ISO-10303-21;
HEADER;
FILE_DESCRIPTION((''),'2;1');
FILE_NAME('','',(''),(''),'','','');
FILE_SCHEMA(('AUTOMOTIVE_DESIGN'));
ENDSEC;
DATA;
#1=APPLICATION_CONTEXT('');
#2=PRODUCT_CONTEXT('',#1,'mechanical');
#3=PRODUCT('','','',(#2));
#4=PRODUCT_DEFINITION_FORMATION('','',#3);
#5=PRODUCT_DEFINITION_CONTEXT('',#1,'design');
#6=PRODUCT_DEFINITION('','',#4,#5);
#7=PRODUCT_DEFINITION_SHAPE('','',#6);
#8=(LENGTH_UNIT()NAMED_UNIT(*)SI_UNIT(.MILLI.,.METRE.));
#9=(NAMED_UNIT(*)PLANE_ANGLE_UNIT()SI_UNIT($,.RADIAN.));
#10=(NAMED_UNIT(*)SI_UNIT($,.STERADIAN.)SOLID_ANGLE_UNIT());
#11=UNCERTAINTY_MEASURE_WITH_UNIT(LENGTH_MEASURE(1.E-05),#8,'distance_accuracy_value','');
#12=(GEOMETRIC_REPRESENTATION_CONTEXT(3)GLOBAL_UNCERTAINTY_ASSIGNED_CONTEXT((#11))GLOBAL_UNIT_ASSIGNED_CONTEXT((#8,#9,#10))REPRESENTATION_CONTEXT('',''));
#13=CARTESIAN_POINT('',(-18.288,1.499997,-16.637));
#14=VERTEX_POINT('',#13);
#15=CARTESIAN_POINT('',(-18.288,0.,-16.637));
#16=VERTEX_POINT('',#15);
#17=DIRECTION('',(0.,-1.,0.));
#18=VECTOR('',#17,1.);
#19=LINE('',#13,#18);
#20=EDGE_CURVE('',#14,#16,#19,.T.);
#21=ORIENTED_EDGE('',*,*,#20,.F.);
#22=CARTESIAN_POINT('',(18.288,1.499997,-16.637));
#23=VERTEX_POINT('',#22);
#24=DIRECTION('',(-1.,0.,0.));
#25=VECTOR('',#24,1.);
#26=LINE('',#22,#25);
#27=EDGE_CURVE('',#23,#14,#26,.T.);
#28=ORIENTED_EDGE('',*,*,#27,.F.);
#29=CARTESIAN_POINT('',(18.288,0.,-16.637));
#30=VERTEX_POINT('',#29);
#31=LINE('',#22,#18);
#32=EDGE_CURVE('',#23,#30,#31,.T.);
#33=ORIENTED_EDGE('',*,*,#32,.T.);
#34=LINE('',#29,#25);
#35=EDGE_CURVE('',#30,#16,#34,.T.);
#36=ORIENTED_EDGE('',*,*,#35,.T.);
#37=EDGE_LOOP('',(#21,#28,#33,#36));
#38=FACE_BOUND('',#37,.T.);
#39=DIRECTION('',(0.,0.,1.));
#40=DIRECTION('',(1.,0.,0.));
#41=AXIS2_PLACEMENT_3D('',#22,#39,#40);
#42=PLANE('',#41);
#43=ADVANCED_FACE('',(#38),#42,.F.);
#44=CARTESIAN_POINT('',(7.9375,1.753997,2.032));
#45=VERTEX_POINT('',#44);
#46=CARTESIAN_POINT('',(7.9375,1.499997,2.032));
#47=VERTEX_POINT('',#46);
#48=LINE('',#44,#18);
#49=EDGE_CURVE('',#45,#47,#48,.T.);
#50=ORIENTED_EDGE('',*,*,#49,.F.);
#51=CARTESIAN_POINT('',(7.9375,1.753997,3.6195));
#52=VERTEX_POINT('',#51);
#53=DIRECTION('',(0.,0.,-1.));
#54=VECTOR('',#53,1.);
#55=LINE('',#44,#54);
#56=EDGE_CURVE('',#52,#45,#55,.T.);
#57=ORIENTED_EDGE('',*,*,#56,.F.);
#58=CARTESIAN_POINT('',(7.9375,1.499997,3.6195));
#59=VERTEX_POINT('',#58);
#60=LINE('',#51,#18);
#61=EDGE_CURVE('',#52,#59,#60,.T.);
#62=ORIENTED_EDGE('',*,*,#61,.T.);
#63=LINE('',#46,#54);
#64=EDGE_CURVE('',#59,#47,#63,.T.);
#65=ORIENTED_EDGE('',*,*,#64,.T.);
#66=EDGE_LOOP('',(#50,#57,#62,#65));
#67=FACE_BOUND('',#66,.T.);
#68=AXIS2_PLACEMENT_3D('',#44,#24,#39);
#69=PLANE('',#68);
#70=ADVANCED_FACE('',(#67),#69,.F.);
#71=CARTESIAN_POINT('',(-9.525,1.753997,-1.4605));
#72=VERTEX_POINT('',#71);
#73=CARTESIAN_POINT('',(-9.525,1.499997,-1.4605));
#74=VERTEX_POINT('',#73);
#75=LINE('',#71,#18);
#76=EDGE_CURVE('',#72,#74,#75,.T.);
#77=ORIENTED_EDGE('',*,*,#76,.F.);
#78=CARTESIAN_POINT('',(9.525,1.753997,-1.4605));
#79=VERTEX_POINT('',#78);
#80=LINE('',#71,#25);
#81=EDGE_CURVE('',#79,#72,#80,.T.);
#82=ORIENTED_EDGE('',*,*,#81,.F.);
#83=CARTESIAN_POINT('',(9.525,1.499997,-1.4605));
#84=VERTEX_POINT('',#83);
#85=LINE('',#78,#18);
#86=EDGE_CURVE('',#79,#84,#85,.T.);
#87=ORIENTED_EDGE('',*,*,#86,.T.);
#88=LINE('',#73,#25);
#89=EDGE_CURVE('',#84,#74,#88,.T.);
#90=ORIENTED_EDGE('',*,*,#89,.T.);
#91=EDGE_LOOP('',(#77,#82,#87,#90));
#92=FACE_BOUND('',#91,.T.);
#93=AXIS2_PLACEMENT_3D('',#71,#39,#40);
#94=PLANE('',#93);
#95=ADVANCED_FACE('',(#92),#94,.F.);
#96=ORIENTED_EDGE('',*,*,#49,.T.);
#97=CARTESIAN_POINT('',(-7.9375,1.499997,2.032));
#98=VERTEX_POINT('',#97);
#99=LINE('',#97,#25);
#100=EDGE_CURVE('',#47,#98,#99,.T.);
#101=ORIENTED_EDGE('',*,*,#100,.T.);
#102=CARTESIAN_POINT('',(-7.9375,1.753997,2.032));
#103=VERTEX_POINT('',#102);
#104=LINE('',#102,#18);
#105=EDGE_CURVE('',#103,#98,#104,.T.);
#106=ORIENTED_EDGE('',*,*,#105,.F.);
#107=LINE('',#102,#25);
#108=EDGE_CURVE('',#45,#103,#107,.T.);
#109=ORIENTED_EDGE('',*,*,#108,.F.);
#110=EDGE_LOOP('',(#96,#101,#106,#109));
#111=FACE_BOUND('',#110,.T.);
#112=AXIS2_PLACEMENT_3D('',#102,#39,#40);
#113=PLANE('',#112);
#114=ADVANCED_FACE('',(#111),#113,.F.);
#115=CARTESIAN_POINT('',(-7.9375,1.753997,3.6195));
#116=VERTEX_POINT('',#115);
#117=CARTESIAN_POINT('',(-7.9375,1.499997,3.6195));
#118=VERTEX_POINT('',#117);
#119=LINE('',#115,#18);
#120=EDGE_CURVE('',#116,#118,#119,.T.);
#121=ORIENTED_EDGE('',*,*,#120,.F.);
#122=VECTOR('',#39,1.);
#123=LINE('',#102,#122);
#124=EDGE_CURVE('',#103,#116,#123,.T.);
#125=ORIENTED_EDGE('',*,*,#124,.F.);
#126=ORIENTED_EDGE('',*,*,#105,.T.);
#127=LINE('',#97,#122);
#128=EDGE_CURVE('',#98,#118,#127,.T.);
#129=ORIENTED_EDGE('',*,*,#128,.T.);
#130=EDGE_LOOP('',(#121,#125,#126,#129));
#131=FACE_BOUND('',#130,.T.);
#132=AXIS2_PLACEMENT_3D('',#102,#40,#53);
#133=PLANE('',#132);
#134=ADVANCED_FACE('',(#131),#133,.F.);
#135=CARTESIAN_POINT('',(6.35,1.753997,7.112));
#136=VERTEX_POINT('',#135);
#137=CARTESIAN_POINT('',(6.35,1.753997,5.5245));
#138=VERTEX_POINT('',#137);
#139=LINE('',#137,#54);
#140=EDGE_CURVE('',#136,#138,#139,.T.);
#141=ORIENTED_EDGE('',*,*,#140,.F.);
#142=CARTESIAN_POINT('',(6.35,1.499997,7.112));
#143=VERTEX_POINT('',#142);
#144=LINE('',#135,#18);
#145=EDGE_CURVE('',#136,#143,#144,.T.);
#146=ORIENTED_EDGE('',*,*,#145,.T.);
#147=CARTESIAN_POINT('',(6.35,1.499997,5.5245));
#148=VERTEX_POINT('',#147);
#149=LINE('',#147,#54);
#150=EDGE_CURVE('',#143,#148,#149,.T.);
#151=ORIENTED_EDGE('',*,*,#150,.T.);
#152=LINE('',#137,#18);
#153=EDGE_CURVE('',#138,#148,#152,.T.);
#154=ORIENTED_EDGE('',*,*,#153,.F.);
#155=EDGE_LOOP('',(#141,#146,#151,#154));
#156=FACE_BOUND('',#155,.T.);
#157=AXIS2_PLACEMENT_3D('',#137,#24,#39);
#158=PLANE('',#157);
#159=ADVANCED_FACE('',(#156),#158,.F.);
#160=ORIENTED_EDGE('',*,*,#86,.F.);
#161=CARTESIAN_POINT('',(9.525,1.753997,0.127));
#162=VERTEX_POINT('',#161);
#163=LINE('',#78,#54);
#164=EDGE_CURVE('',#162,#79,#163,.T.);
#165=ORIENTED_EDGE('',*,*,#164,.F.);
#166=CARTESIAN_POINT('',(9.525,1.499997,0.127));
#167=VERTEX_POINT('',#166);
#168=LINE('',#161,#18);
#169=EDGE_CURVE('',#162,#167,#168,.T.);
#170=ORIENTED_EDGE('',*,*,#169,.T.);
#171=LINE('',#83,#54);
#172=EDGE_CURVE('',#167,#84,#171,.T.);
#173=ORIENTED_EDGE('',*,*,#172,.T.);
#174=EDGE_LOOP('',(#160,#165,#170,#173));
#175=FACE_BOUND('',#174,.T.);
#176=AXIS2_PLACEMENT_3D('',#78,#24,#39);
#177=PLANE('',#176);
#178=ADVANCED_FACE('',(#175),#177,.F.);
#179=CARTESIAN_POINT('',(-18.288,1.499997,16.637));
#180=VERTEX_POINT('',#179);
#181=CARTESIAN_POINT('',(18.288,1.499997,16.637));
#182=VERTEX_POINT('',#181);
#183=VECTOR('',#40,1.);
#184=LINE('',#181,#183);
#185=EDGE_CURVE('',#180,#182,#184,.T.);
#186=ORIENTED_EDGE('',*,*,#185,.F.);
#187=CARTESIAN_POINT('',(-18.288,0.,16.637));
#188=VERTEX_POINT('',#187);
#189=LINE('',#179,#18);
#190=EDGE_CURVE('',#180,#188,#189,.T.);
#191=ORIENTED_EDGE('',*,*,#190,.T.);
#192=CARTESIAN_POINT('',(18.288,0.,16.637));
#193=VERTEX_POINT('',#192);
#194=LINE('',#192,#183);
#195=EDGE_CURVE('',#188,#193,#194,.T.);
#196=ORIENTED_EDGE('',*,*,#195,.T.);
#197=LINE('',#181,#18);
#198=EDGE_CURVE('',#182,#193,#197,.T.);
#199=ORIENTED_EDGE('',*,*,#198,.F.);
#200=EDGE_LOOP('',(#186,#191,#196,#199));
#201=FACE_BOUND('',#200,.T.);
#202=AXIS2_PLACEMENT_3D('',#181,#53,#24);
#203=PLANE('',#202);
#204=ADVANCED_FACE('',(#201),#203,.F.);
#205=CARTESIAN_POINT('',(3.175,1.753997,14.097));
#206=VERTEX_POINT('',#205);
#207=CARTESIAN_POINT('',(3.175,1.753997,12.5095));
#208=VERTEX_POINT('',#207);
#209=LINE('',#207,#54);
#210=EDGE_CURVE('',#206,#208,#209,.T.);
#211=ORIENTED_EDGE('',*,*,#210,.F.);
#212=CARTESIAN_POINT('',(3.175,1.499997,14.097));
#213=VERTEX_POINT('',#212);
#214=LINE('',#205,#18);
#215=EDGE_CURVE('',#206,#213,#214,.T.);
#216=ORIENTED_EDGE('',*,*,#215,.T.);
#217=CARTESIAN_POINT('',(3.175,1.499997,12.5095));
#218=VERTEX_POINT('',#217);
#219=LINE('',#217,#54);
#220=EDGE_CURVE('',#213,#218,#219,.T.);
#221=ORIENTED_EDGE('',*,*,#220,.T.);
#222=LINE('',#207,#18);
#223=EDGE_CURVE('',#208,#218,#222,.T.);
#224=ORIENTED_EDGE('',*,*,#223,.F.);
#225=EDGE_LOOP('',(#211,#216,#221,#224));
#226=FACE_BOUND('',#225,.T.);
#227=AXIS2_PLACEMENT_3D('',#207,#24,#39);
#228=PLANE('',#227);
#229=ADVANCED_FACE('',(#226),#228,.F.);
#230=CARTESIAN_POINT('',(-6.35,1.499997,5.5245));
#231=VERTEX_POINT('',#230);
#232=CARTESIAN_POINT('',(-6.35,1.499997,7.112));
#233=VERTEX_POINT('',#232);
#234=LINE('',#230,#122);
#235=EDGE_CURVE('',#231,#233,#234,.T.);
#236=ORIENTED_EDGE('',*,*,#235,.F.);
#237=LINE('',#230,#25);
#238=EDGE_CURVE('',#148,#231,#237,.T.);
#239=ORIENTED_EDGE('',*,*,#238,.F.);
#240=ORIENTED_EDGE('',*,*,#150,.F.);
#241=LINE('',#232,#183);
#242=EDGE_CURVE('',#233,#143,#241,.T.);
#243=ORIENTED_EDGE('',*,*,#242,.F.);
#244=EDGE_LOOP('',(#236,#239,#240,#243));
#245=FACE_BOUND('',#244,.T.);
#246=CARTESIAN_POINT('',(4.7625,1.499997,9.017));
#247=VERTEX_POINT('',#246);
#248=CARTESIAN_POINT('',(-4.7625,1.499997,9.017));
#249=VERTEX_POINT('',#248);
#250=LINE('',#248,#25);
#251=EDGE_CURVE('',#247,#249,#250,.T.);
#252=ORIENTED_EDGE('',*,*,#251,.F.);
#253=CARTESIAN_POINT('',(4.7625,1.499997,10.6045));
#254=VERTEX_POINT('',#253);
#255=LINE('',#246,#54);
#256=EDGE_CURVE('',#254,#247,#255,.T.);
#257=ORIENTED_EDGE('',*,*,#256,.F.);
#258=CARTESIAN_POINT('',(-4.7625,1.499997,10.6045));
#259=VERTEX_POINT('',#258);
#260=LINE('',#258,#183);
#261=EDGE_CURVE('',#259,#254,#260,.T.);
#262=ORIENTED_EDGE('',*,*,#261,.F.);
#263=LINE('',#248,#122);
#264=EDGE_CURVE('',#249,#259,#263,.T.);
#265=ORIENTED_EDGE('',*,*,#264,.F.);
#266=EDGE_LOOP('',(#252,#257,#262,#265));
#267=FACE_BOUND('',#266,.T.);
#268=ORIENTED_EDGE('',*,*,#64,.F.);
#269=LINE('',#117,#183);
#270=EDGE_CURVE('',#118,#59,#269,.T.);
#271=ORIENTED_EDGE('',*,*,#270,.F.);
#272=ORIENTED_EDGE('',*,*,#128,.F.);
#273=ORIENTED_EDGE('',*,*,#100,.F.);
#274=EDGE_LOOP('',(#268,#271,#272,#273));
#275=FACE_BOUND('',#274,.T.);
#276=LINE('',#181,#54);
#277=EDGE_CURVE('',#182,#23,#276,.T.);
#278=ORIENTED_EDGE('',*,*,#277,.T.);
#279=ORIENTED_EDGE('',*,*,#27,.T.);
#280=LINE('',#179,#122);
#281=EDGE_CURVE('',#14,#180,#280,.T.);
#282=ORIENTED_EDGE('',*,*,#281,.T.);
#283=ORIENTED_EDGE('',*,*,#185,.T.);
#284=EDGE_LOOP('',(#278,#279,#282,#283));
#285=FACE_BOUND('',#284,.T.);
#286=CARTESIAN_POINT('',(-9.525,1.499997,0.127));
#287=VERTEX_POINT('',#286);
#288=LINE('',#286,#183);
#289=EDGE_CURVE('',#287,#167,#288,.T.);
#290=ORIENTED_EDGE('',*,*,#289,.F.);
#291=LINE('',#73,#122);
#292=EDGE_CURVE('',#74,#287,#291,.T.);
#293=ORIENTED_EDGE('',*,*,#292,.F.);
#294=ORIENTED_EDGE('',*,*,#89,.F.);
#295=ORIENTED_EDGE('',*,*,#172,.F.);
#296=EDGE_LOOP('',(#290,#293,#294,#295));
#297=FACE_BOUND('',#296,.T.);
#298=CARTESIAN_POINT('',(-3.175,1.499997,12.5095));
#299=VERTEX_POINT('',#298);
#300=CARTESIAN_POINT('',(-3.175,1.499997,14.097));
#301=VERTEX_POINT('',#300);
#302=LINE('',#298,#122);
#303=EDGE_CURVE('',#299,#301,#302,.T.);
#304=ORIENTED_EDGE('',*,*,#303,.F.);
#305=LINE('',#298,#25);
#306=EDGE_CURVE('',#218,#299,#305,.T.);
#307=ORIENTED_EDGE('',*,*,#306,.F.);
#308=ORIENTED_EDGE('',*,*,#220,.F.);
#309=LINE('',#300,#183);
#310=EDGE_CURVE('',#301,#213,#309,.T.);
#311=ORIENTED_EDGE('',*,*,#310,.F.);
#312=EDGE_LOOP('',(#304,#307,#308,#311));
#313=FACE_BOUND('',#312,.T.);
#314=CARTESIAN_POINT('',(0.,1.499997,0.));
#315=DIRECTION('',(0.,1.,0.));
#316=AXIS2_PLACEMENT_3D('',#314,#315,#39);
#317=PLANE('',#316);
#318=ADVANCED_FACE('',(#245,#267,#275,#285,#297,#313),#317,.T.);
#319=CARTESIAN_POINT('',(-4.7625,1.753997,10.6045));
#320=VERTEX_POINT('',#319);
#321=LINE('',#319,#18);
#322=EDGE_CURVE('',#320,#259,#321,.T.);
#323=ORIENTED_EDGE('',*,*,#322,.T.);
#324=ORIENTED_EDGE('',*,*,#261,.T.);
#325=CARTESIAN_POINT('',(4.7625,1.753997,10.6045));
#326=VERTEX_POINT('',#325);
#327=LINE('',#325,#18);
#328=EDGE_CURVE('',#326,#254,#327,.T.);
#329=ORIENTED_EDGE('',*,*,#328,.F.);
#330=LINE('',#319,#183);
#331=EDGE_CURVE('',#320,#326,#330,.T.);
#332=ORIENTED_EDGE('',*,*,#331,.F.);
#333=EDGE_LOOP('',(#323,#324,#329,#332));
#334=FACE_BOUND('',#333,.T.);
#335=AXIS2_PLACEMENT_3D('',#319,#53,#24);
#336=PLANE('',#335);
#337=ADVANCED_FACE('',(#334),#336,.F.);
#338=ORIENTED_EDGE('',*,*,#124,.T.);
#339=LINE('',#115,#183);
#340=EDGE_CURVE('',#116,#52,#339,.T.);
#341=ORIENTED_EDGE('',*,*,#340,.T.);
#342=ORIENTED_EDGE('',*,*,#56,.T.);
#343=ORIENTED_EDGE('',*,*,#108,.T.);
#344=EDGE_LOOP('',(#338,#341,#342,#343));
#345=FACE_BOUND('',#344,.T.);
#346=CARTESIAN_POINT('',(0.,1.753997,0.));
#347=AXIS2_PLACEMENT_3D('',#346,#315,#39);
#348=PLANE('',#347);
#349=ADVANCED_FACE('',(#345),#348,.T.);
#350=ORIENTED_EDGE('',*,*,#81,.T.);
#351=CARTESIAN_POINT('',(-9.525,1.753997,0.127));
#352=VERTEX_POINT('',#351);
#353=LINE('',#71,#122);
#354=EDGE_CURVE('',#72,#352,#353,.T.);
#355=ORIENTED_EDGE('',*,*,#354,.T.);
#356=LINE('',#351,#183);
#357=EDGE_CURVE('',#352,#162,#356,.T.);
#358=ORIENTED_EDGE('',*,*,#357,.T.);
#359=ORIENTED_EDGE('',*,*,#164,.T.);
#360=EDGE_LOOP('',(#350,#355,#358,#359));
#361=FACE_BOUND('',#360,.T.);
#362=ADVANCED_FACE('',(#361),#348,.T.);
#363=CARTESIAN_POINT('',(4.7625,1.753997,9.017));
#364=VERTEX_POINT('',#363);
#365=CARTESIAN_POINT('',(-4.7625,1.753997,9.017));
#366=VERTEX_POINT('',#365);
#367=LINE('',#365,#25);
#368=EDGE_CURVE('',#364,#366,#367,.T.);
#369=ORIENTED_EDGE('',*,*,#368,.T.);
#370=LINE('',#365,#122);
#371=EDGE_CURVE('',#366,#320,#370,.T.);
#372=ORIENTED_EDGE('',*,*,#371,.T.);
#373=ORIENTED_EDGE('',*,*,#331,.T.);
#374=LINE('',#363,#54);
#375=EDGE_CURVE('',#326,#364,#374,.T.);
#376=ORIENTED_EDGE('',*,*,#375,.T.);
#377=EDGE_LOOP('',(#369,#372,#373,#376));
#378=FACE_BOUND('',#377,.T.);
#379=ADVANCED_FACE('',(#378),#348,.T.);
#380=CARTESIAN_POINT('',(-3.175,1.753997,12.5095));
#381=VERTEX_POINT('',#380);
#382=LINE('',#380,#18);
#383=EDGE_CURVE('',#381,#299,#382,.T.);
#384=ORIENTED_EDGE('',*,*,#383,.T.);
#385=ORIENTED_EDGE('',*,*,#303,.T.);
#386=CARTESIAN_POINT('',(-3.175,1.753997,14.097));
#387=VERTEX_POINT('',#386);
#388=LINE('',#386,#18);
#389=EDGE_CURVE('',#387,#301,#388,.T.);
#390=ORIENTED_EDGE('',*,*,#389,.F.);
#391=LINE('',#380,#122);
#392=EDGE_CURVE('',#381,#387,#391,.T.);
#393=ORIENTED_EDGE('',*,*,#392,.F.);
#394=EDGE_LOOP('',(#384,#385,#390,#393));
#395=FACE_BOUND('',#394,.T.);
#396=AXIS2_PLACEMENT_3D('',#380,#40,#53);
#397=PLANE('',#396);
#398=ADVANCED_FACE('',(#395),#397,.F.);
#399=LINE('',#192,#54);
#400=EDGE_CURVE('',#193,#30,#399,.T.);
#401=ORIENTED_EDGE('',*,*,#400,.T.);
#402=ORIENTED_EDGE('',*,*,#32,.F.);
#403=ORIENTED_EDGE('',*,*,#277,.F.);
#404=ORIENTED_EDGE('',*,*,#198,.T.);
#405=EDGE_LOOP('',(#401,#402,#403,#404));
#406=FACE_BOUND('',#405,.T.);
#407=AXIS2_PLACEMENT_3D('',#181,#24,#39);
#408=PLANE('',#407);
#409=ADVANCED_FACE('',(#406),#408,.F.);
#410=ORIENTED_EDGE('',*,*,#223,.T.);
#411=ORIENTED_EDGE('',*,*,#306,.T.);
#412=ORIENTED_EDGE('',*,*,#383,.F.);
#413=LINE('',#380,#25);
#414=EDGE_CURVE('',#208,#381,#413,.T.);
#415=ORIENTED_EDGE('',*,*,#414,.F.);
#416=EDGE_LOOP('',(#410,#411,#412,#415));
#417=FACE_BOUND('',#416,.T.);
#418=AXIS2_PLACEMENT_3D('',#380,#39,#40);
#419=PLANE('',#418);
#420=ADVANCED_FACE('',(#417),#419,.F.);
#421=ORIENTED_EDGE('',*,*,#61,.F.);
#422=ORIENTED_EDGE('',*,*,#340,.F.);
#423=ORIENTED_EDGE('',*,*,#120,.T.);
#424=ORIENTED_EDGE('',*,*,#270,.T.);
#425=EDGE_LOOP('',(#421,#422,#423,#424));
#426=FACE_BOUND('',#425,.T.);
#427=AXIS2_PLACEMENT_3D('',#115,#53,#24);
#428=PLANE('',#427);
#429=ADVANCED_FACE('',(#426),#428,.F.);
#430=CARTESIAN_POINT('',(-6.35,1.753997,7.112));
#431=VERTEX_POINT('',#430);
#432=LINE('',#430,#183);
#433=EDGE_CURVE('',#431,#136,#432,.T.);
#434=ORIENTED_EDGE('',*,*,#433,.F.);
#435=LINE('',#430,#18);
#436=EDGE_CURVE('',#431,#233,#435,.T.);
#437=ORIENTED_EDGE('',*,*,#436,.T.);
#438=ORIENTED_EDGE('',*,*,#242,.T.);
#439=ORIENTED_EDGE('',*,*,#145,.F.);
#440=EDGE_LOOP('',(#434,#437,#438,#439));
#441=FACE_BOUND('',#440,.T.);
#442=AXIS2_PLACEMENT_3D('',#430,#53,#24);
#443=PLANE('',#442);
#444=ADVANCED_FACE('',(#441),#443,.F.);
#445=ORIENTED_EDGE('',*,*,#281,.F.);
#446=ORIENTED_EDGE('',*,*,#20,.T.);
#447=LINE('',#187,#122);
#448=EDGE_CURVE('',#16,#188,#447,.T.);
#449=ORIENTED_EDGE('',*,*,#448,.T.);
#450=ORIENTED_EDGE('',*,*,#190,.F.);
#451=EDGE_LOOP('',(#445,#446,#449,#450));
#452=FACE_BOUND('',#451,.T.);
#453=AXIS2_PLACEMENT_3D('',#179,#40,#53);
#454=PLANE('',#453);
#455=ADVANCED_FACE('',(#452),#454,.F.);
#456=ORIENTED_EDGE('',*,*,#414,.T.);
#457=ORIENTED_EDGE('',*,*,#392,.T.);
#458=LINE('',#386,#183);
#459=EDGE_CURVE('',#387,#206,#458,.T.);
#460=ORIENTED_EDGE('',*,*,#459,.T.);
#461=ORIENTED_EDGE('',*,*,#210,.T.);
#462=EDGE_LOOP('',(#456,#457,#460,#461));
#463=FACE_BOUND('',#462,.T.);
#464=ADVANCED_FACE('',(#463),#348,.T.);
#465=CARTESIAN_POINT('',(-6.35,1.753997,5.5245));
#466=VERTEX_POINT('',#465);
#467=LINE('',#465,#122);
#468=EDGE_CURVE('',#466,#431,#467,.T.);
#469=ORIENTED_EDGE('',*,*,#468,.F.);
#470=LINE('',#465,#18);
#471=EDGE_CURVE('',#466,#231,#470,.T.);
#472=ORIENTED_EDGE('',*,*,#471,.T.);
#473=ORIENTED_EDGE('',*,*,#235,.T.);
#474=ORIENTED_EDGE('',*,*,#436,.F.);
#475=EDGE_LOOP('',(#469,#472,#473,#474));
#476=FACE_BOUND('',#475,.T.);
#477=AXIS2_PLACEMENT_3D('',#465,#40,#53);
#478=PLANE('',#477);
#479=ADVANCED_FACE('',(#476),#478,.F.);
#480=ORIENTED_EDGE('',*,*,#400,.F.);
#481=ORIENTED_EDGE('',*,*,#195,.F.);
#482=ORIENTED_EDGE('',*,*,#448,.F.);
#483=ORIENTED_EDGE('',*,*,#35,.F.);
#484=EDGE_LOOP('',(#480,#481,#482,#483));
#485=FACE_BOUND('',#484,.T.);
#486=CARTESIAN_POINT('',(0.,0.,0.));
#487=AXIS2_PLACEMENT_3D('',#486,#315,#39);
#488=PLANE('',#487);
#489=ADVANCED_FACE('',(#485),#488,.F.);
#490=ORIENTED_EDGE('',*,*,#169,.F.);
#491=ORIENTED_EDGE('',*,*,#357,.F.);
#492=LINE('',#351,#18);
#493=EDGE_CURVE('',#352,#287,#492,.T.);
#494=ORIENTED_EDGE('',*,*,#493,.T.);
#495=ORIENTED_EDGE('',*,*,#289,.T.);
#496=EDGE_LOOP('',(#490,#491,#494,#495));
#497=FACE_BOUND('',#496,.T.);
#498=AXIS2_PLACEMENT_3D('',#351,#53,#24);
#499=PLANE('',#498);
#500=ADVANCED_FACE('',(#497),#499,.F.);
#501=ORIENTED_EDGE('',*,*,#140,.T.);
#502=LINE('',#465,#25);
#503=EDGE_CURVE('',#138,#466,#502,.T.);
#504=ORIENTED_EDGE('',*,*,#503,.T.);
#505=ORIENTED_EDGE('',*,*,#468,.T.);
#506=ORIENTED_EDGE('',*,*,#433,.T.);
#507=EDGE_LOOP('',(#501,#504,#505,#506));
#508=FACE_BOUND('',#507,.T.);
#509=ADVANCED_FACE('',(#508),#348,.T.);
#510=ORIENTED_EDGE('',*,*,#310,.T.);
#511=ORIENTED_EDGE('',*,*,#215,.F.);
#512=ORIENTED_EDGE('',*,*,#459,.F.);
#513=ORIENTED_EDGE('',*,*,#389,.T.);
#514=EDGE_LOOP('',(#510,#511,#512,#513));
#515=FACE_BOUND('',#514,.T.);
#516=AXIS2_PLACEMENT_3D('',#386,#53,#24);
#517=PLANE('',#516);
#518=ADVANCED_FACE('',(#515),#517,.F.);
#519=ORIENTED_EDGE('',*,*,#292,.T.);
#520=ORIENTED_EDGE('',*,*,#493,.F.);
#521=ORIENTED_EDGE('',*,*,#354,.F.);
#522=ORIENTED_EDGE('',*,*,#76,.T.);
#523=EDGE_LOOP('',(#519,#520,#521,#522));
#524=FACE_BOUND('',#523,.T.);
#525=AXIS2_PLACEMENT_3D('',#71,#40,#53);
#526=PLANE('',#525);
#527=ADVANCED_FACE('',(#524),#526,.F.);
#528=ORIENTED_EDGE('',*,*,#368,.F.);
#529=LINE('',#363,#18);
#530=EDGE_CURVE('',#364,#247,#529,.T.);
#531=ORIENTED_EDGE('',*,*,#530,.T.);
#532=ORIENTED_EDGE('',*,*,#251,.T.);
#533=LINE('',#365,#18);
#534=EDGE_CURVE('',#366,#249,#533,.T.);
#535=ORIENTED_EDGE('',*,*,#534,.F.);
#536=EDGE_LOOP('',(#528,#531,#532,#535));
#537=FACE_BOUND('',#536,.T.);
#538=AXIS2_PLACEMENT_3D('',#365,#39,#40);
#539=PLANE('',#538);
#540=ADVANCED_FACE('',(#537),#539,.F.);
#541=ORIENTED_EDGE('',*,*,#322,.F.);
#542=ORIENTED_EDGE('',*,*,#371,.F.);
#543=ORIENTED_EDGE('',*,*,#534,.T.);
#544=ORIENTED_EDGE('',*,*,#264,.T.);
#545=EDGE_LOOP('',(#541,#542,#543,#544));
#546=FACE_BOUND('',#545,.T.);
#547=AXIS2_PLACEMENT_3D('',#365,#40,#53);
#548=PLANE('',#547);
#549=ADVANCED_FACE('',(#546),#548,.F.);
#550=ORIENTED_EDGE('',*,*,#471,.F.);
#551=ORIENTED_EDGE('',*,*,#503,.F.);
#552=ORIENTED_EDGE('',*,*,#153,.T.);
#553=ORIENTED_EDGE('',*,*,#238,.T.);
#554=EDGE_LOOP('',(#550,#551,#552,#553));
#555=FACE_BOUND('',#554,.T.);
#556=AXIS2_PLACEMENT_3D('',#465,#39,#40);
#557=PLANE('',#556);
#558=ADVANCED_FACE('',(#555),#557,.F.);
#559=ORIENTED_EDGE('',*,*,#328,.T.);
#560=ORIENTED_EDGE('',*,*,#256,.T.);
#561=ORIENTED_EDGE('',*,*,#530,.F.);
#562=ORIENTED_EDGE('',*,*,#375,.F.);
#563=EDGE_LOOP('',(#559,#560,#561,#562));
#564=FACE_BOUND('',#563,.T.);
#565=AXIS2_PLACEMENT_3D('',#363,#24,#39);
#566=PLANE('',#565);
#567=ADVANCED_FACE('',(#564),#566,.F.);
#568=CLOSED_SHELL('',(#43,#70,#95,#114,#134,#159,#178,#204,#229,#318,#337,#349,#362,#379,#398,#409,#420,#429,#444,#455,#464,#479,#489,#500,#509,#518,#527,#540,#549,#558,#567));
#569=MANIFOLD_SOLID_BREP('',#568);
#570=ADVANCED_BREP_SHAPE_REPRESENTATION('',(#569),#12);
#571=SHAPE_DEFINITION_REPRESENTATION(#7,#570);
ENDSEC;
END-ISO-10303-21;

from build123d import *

# Parameters (mm, degrees)
SKETCH1_W           = 36.576
SKETCH1_H           = 33.274
BOSS_EXTRUDE1_DEPTH = 1.499997
SKETCH2_W           = 19.05
SKETCH2_H           = 1.5875
SKETCH2_W_2         = 12.7
SKETCH2_W_3         = 9.525
SKETCH2_W_4         = 6.35
SKETCH2_W_5         = 15.875
BOSS_EXTRUDE2_DEPTH = 0.254


with BuildPart() as part:
    # Sketch1 → Boss-Extrude1 (new body)
    with BuildSketch(Plane(origin=(0, 0, 0), x_dir=(1, 0, 0), z_dir=(0, 1, 0))):
        Rectangle(SKETCH1_W, SKETCH1_H)
    extrude(amount=BOSS_EXTRUDE1_DEPTH)

    # Sketch2 → Boss-Extrude2 (add)
    with BuildSketch(Plane(origin=(0, 1.499997, 0), x_dir=(1, 0, 0), z_dir=(0, 1, 0))):
        with Locations((0, 0.66675)):
            Rectangle(SKETCH2_W, SKETCH2_H)
        with Locations((0, -6.31825)):
            Rectangle(SKETCH2_W_2, SKETCH2_H)
        with Locations((0, -9.81075)):
            Rectangle(SKETCH2_W_3, SKETCH2_H)
        with Locations((0, -13.30325)):
            Rectangle(SKETCH2_W_4, SKETCH2_H)
        with Locations((0, -2.82575)):
            Rectangle(SKETCH2_W_5, SKETCH2_H)
    extrude(amount=BOSS_EXTRUDE2_DEPTH)


solid = part.part
